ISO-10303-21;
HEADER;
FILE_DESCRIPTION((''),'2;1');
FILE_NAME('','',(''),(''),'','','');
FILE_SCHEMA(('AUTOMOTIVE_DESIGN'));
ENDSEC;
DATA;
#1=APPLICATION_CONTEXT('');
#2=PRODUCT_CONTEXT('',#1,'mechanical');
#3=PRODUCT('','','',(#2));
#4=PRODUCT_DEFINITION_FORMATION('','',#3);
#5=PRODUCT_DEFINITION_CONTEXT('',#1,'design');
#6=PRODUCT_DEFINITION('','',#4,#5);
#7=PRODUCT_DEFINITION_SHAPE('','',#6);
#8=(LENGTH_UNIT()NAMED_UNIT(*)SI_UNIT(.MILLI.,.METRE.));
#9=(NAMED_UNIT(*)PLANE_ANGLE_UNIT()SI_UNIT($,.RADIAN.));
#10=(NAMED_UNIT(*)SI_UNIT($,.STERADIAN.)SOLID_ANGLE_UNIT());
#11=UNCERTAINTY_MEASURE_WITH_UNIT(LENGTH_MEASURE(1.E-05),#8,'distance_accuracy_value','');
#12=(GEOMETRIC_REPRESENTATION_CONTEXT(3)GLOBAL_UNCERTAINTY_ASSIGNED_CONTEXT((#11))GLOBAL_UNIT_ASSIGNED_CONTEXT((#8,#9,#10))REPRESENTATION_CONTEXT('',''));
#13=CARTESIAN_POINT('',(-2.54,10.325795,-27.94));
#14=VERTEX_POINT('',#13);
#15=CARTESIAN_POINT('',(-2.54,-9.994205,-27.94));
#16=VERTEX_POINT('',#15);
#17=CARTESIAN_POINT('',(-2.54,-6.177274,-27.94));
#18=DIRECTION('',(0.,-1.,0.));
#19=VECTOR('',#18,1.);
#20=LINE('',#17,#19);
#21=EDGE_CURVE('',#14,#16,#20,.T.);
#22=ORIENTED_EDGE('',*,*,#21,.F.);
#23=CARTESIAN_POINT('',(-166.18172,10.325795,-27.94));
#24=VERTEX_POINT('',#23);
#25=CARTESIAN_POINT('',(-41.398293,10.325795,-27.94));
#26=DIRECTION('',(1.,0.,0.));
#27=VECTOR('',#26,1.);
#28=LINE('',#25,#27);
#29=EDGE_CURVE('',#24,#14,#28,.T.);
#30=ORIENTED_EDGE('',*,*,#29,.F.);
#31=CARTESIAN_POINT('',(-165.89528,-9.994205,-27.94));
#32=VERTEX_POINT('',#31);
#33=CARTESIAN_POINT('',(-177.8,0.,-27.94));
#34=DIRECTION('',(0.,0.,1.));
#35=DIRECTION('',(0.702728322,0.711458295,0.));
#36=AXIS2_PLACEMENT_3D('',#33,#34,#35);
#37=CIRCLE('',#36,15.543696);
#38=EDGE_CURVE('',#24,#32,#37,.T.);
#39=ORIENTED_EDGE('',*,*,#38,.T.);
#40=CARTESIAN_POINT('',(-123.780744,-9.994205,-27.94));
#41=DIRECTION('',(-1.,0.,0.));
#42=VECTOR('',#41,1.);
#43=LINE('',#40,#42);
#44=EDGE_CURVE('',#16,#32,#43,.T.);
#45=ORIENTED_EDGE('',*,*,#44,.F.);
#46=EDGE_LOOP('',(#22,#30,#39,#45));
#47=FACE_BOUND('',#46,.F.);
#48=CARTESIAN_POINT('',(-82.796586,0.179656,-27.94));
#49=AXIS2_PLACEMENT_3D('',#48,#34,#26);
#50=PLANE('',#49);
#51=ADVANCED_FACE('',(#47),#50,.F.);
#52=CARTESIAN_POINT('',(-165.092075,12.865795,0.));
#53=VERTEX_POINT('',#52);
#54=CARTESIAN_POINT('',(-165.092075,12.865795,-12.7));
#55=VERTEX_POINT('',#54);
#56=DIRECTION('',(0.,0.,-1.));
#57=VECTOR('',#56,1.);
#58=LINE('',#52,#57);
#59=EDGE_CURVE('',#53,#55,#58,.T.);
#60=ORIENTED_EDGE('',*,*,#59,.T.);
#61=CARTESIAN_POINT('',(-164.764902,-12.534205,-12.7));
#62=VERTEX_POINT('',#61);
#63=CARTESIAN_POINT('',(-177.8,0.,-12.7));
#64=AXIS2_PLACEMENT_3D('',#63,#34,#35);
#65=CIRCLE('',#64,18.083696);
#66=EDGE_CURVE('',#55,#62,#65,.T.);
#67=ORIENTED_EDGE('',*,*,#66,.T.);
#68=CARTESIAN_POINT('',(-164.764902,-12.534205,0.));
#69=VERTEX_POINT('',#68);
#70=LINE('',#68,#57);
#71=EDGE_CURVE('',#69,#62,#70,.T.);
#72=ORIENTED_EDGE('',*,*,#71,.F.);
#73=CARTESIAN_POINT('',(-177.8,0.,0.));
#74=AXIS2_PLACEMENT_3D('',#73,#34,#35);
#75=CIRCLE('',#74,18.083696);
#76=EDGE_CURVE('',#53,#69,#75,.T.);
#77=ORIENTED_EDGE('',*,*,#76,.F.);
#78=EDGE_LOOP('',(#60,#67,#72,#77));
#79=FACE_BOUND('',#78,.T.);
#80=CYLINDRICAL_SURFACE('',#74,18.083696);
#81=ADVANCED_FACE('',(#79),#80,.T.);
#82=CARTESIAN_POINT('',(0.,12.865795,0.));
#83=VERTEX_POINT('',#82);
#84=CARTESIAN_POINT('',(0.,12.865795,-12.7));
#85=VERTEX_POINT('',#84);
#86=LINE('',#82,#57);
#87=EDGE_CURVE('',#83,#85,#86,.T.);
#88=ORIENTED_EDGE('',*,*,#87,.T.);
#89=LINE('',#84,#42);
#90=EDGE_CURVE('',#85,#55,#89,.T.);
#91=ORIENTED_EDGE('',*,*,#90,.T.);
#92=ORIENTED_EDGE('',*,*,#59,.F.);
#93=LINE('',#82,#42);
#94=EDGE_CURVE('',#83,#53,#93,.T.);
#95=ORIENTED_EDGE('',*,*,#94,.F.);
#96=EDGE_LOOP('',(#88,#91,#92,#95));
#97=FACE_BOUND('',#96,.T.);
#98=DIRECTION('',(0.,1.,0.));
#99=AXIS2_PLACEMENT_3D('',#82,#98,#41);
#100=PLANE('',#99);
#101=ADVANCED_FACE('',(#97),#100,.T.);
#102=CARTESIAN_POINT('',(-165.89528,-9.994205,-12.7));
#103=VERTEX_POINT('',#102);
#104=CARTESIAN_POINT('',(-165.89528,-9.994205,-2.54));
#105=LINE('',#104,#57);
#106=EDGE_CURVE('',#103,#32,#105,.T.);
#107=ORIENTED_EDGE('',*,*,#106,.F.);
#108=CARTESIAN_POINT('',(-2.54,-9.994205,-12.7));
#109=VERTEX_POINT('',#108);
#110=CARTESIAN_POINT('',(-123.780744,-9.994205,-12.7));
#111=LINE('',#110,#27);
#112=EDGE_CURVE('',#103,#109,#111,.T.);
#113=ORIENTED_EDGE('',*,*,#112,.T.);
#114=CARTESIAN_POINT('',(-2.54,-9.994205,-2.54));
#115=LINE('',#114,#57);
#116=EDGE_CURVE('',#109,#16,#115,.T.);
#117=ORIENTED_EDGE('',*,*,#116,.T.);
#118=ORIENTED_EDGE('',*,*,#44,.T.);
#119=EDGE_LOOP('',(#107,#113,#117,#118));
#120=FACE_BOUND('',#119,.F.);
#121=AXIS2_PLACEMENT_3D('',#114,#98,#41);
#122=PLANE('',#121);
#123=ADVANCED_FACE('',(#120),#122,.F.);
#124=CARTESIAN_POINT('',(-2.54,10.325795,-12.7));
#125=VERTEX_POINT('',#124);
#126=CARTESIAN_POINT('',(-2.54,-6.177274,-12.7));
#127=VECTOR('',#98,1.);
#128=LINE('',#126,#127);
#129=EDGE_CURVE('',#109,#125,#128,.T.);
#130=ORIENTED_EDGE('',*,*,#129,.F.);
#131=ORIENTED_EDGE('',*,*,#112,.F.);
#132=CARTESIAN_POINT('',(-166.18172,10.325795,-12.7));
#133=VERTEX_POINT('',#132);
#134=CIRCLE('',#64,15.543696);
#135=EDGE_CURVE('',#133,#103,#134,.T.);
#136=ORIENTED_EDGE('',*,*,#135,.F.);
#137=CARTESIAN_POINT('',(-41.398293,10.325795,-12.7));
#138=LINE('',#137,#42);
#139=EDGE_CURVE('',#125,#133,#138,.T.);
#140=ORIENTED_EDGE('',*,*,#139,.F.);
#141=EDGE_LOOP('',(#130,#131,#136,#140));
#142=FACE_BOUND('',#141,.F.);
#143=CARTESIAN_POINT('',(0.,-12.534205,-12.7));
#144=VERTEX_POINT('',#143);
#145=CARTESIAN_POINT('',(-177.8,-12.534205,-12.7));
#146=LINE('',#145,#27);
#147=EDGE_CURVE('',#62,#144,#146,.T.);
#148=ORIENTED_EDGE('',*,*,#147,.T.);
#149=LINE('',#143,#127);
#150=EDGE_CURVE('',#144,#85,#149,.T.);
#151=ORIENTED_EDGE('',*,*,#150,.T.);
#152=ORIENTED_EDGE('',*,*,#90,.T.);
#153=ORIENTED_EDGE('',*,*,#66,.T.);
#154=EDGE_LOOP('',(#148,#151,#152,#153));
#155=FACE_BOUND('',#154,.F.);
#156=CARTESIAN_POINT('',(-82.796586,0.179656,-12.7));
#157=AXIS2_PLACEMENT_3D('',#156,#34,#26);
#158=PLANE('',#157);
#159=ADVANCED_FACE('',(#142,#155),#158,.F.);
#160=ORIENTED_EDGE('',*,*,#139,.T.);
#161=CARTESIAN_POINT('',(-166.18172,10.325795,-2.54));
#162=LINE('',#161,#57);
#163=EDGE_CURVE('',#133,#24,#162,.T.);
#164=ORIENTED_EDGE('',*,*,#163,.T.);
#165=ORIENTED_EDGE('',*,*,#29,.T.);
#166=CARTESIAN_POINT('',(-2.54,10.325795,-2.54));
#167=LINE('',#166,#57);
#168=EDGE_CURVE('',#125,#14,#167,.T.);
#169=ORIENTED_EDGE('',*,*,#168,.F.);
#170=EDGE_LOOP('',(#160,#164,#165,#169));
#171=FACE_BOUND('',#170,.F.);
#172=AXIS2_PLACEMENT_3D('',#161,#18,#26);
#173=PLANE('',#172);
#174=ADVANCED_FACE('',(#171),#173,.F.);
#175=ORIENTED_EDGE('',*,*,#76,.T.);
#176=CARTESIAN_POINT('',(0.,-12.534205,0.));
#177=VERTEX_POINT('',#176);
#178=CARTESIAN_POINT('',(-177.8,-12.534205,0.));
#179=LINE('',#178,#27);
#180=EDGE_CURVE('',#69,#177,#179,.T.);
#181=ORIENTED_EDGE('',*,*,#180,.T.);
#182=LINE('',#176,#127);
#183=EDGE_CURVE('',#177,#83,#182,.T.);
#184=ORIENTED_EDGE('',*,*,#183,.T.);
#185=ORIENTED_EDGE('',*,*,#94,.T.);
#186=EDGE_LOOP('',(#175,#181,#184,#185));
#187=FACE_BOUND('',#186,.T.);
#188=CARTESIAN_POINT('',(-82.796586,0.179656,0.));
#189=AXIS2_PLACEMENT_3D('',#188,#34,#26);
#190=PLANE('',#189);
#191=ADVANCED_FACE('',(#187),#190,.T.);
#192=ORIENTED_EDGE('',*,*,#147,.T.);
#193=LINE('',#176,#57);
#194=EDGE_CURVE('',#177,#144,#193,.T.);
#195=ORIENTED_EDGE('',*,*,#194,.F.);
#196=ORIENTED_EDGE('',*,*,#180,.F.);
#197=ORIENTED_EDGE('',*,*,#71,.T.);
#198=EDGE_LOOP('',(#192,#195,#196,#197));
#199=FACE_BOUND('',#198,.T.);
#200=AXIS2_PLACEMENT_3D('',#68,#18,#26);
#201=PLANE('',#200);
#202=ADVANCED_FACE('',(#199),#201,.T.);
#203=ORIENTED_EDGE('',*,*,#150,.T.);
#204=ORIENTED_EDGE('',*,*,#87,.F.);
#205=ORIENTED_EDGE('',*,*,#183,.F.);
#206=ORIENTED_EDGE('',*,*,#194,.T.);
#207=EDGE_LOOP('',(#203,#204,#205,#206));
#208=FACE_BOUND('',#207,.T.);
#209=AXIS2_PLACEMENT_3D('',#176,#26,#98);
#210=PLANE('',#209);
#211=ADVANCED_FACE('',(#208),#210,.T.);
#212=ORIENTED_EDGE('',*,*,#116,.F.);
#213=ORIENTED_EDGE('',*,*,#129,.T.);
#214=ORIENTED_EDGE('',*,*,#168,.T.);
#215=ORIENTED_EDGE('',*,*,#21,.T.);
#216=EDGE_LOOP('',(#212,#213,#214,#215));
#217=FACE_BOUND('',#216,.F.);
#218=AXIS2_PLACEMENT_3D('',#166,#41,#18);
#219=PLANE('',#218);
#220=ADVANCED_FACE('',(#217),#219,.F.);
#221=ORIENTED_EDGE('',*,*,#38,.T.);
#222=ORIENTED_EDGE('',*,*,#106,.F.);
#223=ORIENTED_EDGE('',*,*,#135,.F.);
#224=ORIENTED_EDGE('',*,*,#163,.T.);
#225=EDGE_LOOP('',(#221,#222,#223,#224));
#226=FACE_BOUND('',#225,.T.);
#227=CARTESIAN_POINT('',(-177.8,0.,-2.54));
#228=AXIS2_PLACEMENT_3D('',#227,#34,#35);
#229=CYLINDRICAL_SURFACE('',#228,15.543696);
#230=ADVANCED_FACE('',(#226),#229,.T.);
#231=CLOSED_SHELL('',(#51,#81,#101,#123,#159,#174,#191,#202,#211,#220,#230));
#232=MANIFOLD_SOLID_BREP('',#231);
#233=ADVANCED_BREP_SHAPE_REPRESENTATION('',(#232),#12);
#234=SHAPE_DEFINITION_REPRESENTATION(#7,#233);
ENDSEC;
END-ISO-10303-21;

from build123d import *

# Parameters (mm, degrees)
F1_DEPTH = 12.7
F2_T     = -2.54
F4_DEPTH = 25.4


with BuildPart() as f1:
    # F0 (on Top) → F1 (new body)
    with BuildSketch(Plane.XY):
        with BuildLine():
            Line((0, -12.5342045865), (0, 12.8657954135))
            Line((0, 12.8657954135), (-165.0920747663, 12.8657954135))
            ThreePointArc((-165.0920747663, 12.8657954135), (-161.1142829028, 6.9718649096), (-159.7163041564, 0))
            ThreePointArc((-159.7163041564, 0), (-161.0258711618, -6.756378992), (-164.7649023499, -12.5342045865))
            Line((-164.7649023499, -12.5342045865), (0, -12.5342045865))
        make_face()
        with BuildLine():
            ThreePointArc((-159.7163041564, 0), (-161.1142829028, 6.9718649096), (-165.0920747663, 12.8657954135))
            Line((-165.0920747663, 12.8657954135), (-177.8, 12.8657954135))
            Line((-177.8, 12.8657954135), (-177.8, -12.5342045865))
            Line((-177.8, -12.5342045865), (-164.7649023499, -12.5342045865))
            ThreePointArc((-164.7649023499, -12.5342045865), (-161.0258711618, -6.756378992), (-159.7163041564, 0))
        make_face()
        with BuildLine():
            Line((-177.8, 12.8657954135), (-165.0920747663, 12.8657954135))
            ThreePointArc((-165.0920747663, 12.8657954135), (-195.8821958511, -0.232913217), (-164.7649023499, -12.5342045865))
            Line((-164.7649023499, -12.5342045865), (-177.8, -12.5342045865))
            Line((-177.8, -12.5342045865), (-177.8, 12.8657954135))
        make_face()
    extrude(amount=-F1_DEPTH)

    # F2
    f2_openings = [f1.faces().sort_by_distance(p)[0] for p in [
        (-100.144903, 0.13551, -12.7),
    ]]
    offset(amount=F2_T, openings=f2_openings, kind=Kind.INTERSECTION)

    # F4 (add): a face of the model
    f4_faces = [f1.faces().sort_by_distance(p)[0] for p in [
        (-100.8594782895, 0.1367235589, -2.54),
    ]]
    extrude(f4_faces, amount=F4_DEPTH)


solid = f1.part
